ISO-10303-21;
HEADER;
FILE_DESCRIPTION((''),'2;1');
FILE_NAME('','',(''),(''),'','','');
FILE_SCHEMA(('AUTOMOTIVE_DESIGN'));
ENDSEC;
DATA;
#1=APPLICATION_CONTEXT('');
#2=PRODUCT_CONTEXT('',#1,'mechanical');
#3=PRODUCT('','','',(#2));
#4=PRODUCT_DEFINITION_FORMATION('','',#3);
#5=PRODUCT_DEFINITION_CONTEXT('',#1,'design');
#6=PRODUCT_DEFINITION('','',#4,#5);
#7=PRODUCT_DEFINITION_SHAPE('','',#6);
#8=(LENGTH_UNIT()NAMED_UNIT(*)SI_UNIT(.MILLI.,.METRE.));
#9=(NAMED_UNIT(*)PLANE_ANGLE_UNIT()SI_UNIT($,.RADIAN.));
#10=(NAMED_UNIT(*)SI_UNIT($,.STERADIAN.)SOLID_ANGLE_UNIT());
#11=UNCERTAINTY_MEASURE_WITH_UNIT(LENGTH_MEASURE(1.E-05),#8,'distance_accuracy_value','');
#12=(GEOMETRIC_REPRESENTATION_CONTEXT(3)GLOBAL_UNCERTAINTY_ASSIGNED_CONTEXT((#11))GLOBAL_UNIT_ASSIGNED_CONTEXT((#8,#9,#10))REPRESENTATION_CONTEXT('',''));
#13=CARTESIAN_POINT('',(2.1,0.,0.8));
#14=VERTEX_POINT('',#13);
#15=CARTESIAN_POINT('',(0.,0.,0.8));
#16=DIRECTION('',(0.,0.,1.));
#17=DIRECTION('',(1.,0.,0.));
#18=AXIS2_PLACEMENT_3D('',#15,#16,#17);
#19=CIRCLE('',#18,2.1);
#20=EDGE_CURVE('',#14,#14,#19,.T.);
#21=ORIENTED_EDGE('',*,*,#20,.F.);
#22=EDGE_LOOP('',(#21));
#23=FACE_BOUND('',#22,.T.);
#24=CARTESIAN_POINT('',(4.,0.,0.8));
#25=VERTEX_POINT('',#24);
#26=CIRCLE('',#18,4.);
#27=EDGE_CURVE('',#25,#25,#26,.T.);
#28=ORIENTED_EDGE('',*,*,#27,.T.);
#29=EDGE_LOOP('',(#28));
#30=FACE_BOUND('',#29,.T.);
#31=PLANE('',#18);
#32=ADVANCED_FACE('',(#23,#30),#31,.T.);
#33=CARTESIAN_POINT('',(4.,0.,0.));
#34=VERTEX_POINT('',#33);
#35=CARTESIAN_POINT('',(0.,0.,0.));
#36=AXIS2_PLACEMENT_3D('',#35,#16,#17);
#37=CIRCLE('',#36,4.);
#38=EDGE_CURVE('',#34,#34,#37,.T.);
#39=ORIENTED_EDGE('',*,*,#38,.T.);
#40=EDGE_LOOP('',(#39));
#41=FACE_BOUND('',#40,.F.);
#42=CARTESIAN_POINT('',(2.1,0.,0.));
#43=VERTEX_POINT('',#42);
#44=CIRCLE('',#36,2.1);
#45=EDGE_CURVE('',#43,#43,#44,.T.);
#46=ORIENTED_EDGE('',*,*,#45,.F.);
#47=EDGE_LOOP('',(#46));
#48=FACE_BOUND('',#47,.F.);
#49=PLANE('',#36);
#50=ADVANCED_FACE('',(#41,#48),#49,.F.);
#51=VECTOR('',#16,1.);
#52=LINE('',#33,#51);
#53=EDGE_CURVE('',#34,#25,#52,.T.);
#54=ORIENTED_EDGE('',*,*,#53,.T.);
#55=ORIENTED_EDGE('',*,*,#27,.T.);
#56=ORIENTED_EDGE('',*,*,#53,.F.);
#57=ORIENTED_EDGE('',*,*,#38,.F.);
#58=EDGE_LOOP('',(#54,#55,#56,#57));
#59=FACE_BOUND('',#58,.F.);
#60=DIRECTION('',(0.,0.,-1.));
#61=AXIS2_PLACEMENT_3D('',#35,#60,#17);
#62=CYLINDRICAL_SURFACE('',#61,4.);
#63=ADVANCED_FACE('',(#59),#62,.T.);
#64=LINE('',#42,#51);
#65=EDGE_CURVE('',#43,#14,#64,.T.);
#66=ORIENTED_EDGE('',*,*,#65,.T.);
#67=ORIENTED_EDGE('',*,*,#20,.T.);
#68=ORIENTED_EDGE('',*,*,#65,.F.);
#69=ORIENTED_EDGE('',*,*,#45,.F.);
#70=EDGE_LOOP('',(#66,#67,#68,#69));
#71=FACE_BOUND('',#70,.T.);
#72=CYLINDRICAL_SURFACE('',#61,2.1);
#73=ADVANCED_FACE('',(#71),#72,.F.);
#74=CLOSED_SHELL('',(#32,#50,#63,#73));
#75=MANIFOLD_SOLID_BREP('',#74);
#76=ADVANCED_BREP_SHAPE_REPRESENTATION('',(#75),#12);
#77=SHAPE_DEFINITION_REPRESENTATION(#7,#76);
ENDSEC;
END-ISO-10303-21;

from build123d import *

# Parameters (mm, degrees)
SKETCH_R   = 4
SKETCH_R_2 = 2.1
PAD_DEPTH  = 0.8


with BuildPart() as part:
    # Sketch → Pad (new body)
    with BuildSketch(Plane.XY):
        Circle(SKETCH_R)
        Circle(SKETCH_R_2, mode=Mode.SUBTRACT)
    extrude(amount=PAD_DEPTH)


solid = part.part
